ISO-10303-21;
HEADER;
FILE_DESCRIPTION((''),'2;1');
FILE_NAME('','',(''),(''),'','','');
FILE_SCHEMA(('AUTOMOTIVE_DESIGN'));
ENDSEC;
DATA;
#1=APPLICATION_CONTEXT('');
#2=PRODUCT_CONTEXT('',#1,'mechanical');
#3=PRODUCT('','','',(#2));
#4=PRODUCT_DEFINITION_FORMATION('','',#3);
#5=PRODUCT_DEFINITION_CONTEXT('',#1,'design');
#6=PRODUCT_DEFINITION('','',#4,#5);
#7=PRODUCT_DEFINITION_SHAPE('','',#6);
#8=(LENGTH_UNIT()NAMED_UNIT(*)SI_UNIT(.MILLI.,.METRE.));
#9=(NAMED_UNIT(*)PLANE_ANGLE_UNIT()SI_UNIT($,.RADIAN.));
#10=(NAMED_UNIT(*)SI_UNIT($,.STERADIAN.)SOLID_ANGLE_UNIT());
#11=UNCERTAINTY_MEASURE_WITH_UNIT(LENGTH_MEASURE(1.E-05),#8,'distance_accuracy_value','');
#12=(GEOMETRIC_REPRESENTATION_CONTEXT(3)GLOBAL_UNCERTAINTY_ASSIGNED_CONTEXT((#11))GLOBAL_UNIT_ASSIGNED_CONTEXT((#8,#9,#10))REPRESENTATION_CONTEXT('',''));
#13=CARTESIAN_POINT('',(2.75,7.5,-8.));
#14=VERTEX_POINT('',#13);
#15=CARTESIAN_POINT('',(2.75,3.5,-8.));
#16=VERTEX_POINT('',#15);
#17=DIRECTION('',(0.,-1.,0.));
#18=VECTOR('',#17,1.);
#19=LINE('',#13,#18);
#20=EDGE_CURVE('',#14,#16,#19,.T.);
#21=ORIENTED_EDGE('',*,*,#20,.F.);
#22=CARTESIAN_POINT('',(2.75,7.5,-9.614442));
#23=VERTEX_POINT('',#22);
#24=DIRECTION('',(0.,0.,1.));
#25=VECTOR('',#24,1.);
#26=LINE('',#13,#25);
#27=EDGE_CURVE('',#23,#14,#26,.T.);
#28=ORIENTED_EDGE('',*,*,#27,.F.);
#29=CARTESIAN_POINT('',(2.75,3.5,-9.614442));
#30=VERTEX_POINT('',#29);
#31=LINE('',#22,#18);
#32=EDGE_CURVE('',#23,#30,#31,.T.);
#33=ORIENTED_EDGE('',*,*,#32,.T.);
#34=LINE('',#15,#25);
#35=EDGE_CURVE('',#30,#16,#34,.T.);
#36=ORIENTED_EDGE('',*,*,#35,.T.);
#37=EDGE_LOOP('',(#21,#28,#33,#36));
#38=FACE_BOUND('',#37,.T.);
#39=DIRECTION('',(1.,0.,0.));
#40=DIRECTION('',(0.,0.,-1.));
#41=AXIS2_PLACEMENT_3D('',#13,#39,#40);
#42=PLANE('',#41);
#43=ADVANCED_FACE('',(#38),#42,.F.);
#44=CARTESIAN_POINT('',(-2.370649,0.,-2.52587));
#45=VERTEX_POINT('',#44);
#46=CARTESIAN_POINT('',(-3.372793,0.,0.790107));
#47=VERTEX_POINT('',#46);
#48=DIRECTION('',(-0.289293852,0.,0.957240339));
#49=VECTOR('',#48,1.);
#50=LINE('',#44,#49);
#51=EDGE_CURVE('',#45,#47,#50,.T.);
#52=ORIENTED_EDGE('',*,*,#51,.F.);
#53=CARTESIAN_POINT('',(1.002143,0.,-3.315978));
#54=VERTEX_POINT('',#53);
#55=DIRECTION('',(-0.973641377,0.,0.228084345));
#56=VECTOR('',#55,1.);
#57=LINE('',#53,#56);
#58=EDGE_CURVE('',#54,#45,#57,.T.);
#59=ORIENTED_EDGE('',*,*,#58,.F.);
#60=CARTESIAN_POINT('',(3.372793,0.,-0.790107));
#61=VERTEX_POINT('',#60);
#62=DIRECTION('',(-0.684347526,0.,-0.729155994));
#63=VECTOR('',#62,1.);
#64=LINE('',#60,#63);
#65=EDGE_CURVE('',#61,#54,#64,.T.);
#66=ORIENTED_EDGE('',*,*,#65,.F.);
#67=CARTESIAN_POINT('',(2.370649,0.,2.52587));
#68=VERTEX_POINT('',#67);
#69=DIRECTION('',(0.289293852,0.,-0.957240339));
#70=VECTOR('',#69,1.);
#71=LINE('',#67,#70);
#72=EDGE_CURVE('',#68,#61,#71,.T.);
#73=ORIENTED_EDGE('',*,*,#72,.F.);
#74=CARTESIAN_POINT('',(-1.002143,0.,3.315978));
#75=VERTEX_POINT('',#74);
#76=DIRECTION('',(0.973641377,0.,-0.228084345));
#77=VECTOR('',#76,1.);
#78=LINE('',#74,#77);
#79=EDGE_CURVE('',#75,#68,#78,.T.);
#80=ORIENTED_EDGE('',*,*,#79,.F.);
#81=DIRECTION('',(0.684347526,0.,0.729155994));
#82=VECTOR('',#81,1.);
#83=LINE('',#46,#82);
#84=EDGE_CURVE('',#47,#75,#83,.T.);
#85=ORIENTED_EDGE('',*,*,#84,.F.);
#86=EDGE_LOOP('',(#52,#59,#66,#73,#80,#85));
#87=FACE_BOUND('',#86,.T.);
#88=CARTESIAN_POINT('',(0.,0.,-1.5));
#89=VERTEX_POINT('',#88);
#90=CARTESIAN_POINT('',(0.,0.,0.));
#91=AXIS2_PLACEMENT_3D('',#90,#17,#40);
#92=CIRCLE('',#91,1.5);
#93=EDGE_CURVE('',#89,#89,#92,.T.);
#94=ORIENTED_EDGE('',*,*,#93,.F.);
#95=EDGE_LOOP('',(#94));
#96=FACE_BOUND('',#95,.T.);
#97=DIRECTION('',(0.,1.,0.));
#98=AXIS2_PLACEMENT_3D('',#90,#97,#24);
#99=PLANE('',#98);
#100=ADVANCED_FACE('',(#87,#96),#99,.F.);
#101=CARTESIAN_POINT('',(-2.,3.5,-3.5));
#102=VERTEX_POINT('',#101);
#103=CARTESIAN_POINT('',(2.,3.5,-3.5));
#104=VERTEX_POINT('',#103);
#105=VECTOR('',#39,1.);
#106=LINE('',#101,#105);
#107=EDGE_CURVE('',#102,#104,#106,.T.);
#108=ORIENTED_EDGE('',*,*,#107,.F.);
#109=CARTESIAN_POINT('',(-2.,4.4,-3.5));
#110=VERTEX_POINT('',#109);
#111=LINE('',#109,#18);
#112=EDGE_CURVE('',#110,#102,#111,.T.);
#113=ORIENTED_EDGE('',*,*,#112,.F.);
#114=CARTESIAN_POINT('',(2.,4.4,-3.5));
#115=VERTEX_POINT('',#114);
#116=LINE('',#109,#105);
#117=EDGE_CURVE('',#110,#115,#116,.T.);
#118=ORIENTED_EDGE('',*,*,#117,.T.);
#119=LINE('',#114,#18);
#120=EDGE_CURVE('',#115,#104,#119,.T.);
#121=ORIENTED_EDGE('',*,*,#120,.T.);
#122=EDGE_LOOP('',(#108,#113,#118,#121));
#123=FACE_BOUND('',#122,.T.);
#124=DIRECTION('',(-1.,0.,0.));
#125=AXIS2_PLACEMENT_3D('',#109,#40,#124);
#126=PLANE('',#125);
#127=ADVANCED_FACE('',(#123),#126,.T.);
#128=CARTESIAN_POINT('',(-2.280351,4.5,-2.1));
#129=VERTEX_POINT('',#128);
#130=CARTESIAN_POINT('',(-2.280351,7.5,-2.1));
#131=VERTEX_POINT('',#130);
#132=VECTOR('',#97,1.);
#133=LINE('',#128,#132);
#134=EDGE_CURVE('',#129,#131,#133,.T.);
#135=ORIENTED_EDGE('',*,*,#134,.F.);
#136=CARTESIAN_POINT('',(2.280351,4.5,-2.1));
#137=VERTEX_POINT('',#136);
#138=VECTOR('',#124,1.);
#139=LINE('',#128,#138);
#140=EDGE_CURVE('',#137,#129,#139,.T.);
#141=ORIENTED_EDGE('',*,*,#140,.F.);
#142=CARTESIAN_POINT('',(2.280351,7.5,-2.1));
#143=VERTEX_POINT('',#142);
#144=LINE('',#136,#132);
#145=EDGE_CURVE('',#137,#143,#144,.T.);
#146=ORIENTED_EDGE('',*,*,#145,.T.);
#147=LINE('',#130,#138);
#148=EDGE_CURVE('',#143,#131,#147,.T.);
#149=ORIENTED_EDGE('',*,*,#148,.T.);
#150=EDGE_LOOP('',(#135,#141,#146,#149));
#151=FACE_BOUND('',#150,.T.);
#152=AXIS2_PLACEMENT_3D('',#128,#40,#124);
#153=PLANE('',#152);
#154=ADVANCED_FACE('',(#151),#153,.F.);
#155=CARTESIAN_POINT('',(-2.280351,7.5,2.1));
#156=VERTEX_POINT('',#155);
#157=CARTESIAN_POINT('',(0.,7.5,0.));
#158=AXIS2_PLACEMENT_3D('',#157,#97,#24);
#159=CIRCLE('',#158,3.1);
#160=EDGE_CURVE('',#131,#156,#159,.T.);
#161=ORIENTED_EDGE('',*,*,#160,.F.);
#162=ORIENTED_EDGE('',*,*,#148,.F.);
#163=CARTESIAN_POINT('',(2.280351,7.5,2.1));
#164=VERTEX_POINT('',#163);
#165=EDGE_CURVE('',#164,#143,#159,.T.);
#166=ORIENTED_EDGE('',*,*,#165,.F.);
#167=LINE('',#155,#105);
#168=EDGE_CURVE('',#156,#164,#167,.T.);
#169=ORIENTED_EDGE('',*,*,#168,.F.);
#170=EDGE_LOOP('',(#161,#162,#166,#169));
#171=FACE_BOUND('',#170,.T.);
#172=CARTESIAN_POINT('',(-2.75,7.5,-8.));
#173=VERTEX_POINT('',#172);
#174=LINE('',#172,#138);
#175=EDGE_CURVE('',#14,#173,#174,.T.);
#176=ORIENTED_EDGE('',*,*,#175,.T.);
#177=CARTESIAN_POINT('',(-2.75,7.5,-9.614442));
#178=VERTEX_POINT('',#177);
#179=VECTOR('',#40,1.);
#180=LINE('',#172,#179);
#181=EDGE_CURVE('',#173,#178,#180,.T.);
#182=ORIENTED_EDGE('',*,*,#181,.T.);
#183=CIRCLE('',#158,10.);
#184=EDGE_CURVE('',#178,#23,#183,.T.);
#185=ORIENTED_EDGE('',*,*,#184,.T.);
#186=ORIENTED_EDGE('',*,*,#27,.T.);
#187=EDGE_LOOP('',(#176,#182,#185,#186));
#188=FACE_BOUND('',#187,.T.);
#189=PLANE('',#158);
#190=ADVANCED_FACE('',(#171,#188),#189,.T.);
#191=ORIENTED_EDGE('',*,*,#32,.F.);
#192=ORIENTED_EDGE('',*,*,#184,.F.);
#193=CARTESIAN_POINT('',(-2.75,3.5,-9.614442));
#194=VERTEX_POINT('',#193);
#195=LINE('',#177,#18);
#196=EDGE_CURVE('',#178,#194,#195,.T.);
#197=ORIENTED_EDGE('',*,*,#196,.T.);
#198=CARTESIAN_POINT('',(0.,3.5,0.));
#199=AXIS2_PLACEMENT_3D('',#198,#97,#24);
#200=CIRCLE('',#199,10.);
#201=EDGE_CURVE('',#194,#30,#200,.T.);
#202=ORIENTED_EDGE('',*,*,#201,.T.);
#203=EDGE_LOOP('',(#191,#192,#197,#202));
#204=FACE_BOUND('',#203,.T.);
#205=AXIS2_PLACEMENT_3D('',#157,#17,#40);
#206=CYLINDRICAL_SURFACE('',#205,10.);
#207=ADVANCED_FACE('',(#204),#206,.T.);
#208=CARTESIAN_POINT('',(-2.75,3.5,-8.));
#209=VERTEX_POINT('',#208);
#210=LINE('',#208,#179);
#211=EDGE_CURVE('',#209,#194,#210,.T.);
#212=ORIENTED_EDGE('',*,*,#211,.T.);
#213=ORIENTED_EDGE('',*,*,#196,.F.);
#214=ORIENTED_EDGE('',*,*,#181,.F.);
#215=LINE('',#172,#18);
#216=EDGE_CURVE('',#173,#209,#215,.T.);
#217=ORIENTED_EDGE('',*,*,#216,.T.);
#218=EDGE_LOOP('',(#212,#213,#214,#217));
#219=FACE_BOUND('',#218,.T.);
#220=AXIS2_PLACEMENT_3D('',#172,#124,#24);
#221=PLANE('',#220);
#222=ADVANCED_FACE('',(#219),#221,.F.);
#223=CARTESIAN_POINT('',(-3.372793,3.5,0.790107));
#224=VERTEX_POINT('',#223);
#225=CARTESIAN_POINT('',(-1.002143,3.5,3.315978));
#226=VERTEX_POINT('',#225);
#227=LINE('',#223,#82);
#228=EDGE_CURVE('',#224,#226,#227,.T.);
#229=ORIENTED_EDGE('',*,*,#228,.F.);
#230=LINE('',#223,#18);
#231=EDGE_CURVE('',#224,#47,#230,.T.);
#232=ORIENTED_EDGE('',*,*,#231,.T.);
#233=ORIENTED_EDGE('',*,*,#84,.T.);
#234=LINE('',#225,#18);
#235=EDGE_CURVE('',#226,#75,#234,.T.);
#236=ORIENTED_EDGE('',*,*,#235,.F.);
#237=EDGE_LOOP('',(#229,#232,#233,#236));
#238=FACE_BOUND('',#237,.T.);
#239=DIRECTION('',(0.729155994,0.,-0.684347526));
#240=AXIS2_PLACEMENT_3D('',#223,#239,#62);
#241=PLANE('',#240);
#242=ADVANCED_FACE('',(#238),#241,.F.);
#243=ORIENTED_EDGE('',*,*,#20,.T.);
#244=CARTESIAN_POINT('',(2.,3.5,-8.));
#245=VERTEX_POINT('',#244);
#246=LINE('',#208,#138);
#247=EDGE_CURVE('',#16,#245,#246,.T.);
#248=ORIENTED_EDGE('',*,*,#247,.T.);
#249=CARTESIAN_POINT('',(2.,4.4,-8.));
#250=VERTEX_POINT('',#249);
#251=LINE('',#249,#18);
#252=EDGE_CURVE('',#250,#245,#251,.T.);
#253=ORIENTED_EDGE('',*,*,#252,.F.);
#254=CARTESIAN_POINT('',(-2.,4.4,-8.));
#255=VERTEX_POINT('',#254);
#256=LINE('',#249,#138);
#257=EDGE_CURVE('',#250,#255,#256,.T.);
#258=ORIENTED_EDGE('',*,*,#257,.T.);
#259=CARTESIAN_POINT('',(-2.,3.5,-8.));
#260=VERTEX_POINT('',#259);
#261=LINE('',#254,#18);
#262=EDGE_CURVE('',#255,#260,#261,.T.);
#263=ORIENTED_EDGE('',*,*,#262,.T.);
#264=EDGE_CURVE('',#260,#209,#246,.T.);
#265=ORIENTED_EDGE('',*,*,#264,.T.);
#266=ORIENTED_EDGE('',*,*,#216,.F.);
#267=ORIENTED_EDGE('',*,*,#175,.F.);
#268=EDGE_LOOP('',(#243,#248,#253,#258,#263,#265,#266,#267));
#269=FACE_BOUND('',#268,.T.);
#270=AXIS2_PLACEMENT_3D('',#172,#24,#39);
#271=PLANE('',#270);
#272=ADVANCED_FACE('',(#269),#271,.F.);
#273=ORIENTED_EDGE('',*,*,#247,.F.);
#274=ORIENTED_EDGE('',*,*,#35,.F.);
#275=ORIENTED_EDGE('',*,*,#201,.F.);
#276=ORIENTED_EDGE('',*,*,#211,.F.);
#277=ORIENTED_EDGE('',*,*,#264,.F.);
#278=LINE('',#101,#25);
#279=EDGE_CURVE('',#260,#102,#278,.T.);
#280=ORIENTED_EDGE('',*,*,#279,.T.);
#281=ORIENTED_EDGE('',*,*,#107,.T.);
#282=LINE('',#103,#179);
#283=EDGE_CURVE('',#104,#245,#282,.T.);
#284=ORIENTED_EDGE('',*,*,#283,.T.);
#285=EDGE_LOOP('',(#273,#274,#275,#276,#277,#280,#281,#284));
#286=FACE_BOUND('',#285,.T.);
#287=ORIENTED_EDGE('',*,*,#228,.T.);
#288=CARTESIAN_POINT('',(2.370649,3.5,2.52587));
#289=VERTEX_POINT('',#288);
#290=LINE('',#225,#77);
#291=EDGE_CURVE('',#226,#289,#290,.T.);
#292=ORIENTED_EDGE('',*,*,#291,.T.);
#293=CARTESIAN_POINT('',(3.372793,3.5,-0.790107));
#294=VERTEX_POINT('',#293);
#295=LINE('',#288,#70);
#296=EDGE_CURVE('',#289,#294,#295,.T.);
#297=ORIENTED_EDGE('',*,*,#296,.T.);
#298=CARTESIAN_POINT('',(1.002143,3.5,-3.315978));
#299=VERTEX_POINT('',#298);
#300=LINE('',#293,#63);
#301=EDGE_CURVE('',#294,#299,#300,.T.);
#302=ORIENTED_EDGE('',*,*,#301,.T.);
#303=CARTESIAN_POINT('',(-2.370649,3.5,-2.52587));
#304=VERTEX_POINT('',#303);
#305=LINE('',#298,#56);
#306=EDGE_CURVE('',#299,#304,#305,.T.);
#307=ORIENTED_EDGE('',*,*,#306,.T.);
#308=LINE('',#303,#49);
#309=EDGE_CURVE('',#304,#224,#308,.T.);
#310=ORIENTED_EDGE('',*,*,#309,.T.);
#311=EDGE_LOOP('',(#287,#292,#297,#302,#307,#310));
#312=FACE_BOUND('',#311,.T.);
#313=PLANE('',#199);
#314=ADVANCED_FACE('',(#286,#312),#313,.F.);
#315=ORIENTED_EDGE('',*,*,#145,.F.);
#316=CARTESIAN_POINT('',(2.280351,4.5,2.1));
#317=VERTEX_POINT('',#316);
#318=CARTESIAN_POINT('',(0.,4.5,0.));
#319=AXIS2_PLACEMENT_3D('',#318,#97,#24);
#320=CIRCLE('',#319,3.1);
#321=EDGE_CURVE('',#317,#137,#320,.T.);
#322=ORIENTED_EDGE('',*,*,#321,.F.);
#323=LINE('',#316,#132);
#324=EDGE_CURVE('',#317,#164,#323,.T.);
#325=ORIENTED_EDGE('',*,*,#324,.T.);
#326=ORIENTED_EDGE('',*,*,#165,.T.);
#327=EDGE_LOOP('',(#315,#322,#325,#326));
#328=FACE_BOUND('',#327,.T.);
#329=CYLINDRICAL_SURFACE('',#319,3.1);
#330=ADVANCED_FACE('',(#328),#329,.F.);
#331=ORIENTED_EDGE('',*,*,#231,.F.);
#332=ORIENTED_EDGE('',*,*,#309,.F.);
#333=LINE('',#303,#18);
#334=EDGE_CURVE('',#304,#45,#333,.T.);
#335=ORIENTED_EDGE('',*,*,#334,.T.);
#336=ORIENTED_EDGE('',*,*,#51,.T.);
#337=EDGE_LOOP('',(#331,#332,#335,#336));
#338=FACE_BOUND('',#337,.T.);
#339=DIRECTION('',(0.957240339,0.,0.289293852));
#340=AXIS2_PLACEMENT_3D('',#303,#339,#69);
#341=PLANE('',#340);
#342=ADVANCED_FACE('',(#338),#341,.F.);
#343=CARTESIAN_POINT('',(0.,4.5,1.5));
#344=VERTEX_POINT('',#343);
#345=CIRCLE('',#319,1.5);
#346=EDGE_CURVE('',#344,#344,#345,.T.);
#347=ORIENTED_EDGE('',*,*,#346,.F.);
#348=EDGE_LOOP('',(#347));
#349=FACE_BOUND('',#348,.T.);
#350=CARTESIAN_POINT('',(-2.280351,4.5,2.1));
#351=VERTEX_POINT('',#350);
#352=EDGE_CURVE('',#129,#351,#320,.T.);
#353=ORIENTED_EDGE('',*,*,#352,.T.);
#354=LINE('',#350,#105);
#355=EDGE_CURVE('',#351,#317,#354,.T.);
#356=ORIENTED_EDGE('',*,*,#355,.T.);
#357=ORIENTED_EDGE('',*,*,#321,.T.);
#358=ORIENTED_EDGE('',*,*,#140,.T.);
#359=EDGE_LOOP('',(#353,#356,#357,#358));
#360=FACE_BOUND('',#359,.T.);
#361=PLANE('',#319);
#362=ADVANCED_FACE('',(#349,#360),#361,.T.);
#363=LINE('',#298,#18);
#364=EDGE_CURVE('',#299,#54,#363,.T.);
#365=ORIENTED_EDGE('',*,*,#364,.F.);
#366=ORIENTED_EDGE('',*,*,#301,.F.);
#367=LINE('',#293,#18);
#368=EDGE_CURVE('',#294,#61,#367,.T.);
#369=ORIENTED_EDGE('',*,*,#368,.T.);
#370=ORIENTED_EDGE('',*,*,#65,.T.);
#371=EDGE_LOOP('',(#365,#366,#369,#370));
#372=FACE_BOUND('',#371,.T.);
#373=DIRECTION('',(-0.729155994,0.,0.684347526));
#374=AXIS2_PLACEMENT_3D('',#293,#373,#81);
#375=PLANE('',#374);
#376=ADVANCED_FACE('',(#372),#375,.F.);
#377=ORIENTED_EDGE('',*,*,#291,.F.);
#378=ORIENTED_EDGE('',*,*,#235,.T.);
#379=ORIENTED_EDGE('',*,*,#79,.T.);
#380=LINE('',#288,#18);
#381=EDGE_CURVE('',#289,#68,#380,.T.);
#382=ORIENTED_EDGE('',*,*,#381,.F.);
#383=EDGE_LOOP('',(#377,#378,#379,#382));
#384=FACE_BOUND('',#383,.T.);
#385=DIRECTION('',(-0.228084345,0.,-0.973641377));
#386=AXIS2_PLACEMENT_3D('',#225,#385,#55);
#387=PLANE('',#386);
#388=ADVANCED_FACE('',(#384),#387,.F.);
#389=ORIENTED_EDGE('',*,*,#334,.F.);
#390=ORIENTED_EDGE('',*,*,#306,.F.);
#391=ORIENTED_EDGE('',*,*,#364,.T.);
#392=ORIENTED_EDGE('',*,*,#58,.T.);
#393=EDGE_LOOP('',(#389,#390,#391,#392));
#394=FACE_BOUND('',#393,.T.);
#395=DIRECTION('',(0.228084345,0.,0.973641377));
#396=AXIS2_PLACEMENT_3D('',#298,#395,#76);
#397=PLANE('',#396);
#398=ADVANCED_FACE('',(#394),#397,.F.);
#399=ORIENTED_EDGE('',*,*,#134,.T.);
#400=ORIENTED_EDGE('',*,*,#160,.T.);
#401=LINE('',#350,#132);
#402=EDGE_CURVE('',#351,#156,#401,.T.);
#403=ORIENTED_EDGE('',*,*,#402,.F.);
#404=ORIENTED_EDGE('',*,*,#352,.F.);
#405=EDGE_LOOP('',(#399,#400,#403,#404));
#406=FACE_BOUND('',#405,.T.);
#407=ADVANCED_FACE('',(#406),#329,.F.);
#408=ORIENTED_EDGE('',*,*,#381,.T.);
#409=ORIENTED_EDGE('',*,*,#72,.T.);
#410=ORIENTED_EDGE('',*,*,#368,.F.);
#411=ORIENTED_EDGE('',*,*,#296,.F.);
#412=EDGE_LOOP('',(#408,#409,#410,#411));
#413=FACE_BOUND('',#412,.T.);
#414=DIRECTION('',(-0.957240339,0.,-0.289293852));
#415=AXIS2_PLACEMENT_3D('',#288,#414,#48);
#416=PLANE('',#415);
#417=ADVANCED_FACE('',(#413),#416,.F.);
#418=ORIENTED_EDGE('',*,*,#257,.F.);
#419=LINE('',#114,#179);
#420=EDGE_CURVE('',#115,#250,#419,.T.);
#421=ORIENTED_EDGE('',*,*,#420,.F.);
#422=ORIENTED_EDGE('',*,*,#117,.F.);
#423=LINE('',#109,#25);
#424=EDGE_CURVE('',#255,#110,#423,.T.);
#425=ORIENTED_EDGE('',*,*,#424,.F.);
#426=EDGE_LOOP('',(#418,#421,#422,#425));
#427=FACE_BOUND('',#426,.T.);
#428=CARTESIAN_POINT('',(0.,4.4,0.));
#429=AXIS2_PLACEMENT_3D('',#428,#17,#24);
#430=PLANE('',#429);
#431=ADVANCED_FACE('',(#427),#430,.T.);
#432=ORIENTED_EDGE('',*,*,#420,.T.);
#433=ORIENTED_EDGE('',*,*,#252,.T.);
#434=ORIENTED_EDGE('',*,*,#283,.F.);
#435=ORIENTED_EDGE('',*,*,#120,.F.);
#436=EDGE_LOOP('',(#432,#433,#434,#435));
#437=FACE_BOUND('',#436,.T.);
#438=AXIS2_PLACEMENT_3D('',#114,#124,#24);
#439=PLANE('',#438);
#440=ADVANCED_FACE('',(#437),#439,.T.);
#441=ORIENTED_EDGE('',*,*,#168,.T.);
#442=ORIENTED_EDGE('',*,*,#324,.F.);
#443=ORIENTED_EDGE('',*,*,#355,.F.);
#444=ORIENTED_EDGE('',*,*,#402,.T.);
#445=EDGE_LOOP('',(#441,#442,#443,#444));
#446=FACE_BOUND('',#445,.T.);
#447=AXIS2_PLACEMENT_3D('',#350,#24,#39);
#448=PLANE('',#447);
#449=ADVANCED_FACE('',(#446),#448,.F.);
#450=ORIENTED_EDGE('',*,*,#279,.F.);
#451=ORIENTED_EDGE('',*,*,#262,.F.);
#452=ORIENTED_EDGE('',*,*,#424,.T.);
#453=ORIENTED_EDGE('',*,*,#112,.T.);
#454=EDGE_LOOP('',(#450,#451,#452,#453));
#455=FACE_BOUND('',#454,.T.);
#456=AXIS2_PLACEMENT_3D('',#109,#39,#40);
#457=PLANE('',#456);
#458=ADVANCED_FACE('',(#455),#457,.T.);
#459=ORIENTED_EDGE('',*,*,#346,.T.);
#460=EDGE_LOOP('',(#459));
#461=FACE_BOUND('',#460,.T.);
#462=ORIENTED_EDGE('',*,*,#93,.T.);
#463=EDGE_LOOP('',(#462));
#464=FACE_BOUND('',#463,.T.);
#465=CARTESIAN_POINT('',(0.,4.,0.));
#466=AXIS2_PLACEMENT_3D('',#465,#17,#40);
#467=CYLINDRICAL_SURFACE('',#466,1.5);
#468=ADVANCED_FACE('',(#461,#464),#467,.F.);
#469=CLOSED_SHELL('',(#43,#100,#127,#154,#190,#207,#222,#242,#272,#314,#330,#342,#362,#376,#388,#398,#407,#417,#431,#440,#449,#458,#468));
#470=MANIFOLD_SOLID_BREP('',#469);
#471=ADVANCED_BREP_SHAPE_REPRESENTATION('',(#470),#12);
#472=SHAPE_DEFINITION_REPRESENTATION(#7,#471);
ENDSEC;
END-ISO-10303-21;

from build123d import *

# Parameters (mm, degrees)
EXTRUDE_1_DEPTH     = 3.5
EXTRUDE_2_DEPTH     = 4
SKETCH_4_R          = 1.5
CUT_EXTRUDE_1_DEPTH = 4
CUT_EXTRUDE_2_DEPTH = 3
SKETCH_6_R          = 1.5
CUT_EXTRUDE_3_DEPTH = 17.007810594
SKETCH_7_W          = 4
SKETCH_7_H          = 4.5
CUT_EXTRUDE_4_DEPTH = 0.9
SKETCH_8_W          = 4
SKETCH_8_H          = 4.5
EXTRUDE_3_DEPTH     = 0.9


with BuildPart() as part:
    # 草图1 → 凸台-拉伸1 (new body)
    with BuildSketch(Plane(origin=(0, 0, 0), x_dir=(1, 0, 0), z_dir=(0, 1, 0))):
        Polygon((2.370649369, -2.525870458), (3.372792668, 0.790107348), (1.002143299, 3.315977806), (-2.370649369, 2.525870458), (-3.372792668, -0.790107348), (-1.002143299, -3.315977806), align=None)
    extrude(amount=EXTRUDE_1_DEPTH)

    # 草图3 → 凸台-拉伸2 (add)
    with BuildSketch(Plane(origin=(0, 3.5, 0), x_dir=(1, 0, 0), z_dir=(0, 1, 0))):
        with BuildLine():
            Line((-2.75, 8), (2.75, 8))
            Line((2.75, 8), (2.75, 9.614442262))
            ThreePointArc((2.75, 9.614442262), (0, -10), (-2.75, 9.614442262))
            Line((-2.75, 9.614442262), (-2.75, 8))
        make_face()
    extrude(amount=EXTRUDE_2_DEPTH)

    # 草图4 → 切除-拉伸1 (cut)
    with BuildSketch(Plane.XZ):
        with Locations(Location((0, 0, 0), (0, 0, 270))):
            Circle(SKETCH_4_R)
    extrude(amount=-CUT_EXTRUDE_1_DEPTH, mode=Mode.SUBTRACT)

    # 草图5 → 切除-拉伸2 (cut)
    with BuildSketch(Plane(origin=(0, 7.5, 0), x_dir=(1, 0, 0), z_dir=(0, 1, 0))):
        with BuildLine():
            Line((-2.28035085, 2.1), (2.28035085, 2.1))
            ThreePointArc((2.28035085, 2.1), (3.1, 0), (2.28035085, -2.1))
            Line((2.28035085, -2.1), (-2.28035085, -2.1))
            ThreePointArc((-2.28035085, -2.1), (-3.1, 0), (-2.28035085, 2.1))
        make_face()
    extrude(amount=-CUT_EXTRUDE_2_DEPTH, mode=Mode.SUBTRACT)

    # 草图6 → 切除-拉伸3 (cut, through all)
    with BuildSketch(Plane.XZ):
        with Locations(Location((0, 0, 0), (0, 0, 270))):
            Circle(SKETCH_6_R)
    extrude(amount=-CUT_EXTRUDE_3_DEPTH, mode=Mode.SUBTRACT)

    # 草图7 → 切除-拉伸4 (cut)
    with BuildSketch(Plane(origin=(0, 7.5, 0), x_dir=(1, 0, 0), z_dir=(0, 1, 0))):
        with Locations((0, 5.75)):
            Rectangle(SKETCH_7_W, SKETCH_7_H)
    cut_extrude_4 = extrude(amount=-CUT_EXTRUDE_4_DEPTH, mode=Mode.SUBTRACT)

    # 镜向1: 切除-拉伸4 across plane
    add(cut_extrude_4.mirror(Plane.ZX.offset(5.5)), mode=Mode.SUBTRACT)

    # 草图8 → 凸台-拉伸3 (add)
    with BuildSketch(Plane(origin=(0, 6.6, 0), x_dir=(1, 0, 0), z_dir=(0, 1, 0))):
        with Locations((0, 5.75)):
            Rectangle(SKETCH_8_W, SKETCH_8_H)
    extrude(amount=EXTRUDE_3_DEPTH)


solid = part.part
